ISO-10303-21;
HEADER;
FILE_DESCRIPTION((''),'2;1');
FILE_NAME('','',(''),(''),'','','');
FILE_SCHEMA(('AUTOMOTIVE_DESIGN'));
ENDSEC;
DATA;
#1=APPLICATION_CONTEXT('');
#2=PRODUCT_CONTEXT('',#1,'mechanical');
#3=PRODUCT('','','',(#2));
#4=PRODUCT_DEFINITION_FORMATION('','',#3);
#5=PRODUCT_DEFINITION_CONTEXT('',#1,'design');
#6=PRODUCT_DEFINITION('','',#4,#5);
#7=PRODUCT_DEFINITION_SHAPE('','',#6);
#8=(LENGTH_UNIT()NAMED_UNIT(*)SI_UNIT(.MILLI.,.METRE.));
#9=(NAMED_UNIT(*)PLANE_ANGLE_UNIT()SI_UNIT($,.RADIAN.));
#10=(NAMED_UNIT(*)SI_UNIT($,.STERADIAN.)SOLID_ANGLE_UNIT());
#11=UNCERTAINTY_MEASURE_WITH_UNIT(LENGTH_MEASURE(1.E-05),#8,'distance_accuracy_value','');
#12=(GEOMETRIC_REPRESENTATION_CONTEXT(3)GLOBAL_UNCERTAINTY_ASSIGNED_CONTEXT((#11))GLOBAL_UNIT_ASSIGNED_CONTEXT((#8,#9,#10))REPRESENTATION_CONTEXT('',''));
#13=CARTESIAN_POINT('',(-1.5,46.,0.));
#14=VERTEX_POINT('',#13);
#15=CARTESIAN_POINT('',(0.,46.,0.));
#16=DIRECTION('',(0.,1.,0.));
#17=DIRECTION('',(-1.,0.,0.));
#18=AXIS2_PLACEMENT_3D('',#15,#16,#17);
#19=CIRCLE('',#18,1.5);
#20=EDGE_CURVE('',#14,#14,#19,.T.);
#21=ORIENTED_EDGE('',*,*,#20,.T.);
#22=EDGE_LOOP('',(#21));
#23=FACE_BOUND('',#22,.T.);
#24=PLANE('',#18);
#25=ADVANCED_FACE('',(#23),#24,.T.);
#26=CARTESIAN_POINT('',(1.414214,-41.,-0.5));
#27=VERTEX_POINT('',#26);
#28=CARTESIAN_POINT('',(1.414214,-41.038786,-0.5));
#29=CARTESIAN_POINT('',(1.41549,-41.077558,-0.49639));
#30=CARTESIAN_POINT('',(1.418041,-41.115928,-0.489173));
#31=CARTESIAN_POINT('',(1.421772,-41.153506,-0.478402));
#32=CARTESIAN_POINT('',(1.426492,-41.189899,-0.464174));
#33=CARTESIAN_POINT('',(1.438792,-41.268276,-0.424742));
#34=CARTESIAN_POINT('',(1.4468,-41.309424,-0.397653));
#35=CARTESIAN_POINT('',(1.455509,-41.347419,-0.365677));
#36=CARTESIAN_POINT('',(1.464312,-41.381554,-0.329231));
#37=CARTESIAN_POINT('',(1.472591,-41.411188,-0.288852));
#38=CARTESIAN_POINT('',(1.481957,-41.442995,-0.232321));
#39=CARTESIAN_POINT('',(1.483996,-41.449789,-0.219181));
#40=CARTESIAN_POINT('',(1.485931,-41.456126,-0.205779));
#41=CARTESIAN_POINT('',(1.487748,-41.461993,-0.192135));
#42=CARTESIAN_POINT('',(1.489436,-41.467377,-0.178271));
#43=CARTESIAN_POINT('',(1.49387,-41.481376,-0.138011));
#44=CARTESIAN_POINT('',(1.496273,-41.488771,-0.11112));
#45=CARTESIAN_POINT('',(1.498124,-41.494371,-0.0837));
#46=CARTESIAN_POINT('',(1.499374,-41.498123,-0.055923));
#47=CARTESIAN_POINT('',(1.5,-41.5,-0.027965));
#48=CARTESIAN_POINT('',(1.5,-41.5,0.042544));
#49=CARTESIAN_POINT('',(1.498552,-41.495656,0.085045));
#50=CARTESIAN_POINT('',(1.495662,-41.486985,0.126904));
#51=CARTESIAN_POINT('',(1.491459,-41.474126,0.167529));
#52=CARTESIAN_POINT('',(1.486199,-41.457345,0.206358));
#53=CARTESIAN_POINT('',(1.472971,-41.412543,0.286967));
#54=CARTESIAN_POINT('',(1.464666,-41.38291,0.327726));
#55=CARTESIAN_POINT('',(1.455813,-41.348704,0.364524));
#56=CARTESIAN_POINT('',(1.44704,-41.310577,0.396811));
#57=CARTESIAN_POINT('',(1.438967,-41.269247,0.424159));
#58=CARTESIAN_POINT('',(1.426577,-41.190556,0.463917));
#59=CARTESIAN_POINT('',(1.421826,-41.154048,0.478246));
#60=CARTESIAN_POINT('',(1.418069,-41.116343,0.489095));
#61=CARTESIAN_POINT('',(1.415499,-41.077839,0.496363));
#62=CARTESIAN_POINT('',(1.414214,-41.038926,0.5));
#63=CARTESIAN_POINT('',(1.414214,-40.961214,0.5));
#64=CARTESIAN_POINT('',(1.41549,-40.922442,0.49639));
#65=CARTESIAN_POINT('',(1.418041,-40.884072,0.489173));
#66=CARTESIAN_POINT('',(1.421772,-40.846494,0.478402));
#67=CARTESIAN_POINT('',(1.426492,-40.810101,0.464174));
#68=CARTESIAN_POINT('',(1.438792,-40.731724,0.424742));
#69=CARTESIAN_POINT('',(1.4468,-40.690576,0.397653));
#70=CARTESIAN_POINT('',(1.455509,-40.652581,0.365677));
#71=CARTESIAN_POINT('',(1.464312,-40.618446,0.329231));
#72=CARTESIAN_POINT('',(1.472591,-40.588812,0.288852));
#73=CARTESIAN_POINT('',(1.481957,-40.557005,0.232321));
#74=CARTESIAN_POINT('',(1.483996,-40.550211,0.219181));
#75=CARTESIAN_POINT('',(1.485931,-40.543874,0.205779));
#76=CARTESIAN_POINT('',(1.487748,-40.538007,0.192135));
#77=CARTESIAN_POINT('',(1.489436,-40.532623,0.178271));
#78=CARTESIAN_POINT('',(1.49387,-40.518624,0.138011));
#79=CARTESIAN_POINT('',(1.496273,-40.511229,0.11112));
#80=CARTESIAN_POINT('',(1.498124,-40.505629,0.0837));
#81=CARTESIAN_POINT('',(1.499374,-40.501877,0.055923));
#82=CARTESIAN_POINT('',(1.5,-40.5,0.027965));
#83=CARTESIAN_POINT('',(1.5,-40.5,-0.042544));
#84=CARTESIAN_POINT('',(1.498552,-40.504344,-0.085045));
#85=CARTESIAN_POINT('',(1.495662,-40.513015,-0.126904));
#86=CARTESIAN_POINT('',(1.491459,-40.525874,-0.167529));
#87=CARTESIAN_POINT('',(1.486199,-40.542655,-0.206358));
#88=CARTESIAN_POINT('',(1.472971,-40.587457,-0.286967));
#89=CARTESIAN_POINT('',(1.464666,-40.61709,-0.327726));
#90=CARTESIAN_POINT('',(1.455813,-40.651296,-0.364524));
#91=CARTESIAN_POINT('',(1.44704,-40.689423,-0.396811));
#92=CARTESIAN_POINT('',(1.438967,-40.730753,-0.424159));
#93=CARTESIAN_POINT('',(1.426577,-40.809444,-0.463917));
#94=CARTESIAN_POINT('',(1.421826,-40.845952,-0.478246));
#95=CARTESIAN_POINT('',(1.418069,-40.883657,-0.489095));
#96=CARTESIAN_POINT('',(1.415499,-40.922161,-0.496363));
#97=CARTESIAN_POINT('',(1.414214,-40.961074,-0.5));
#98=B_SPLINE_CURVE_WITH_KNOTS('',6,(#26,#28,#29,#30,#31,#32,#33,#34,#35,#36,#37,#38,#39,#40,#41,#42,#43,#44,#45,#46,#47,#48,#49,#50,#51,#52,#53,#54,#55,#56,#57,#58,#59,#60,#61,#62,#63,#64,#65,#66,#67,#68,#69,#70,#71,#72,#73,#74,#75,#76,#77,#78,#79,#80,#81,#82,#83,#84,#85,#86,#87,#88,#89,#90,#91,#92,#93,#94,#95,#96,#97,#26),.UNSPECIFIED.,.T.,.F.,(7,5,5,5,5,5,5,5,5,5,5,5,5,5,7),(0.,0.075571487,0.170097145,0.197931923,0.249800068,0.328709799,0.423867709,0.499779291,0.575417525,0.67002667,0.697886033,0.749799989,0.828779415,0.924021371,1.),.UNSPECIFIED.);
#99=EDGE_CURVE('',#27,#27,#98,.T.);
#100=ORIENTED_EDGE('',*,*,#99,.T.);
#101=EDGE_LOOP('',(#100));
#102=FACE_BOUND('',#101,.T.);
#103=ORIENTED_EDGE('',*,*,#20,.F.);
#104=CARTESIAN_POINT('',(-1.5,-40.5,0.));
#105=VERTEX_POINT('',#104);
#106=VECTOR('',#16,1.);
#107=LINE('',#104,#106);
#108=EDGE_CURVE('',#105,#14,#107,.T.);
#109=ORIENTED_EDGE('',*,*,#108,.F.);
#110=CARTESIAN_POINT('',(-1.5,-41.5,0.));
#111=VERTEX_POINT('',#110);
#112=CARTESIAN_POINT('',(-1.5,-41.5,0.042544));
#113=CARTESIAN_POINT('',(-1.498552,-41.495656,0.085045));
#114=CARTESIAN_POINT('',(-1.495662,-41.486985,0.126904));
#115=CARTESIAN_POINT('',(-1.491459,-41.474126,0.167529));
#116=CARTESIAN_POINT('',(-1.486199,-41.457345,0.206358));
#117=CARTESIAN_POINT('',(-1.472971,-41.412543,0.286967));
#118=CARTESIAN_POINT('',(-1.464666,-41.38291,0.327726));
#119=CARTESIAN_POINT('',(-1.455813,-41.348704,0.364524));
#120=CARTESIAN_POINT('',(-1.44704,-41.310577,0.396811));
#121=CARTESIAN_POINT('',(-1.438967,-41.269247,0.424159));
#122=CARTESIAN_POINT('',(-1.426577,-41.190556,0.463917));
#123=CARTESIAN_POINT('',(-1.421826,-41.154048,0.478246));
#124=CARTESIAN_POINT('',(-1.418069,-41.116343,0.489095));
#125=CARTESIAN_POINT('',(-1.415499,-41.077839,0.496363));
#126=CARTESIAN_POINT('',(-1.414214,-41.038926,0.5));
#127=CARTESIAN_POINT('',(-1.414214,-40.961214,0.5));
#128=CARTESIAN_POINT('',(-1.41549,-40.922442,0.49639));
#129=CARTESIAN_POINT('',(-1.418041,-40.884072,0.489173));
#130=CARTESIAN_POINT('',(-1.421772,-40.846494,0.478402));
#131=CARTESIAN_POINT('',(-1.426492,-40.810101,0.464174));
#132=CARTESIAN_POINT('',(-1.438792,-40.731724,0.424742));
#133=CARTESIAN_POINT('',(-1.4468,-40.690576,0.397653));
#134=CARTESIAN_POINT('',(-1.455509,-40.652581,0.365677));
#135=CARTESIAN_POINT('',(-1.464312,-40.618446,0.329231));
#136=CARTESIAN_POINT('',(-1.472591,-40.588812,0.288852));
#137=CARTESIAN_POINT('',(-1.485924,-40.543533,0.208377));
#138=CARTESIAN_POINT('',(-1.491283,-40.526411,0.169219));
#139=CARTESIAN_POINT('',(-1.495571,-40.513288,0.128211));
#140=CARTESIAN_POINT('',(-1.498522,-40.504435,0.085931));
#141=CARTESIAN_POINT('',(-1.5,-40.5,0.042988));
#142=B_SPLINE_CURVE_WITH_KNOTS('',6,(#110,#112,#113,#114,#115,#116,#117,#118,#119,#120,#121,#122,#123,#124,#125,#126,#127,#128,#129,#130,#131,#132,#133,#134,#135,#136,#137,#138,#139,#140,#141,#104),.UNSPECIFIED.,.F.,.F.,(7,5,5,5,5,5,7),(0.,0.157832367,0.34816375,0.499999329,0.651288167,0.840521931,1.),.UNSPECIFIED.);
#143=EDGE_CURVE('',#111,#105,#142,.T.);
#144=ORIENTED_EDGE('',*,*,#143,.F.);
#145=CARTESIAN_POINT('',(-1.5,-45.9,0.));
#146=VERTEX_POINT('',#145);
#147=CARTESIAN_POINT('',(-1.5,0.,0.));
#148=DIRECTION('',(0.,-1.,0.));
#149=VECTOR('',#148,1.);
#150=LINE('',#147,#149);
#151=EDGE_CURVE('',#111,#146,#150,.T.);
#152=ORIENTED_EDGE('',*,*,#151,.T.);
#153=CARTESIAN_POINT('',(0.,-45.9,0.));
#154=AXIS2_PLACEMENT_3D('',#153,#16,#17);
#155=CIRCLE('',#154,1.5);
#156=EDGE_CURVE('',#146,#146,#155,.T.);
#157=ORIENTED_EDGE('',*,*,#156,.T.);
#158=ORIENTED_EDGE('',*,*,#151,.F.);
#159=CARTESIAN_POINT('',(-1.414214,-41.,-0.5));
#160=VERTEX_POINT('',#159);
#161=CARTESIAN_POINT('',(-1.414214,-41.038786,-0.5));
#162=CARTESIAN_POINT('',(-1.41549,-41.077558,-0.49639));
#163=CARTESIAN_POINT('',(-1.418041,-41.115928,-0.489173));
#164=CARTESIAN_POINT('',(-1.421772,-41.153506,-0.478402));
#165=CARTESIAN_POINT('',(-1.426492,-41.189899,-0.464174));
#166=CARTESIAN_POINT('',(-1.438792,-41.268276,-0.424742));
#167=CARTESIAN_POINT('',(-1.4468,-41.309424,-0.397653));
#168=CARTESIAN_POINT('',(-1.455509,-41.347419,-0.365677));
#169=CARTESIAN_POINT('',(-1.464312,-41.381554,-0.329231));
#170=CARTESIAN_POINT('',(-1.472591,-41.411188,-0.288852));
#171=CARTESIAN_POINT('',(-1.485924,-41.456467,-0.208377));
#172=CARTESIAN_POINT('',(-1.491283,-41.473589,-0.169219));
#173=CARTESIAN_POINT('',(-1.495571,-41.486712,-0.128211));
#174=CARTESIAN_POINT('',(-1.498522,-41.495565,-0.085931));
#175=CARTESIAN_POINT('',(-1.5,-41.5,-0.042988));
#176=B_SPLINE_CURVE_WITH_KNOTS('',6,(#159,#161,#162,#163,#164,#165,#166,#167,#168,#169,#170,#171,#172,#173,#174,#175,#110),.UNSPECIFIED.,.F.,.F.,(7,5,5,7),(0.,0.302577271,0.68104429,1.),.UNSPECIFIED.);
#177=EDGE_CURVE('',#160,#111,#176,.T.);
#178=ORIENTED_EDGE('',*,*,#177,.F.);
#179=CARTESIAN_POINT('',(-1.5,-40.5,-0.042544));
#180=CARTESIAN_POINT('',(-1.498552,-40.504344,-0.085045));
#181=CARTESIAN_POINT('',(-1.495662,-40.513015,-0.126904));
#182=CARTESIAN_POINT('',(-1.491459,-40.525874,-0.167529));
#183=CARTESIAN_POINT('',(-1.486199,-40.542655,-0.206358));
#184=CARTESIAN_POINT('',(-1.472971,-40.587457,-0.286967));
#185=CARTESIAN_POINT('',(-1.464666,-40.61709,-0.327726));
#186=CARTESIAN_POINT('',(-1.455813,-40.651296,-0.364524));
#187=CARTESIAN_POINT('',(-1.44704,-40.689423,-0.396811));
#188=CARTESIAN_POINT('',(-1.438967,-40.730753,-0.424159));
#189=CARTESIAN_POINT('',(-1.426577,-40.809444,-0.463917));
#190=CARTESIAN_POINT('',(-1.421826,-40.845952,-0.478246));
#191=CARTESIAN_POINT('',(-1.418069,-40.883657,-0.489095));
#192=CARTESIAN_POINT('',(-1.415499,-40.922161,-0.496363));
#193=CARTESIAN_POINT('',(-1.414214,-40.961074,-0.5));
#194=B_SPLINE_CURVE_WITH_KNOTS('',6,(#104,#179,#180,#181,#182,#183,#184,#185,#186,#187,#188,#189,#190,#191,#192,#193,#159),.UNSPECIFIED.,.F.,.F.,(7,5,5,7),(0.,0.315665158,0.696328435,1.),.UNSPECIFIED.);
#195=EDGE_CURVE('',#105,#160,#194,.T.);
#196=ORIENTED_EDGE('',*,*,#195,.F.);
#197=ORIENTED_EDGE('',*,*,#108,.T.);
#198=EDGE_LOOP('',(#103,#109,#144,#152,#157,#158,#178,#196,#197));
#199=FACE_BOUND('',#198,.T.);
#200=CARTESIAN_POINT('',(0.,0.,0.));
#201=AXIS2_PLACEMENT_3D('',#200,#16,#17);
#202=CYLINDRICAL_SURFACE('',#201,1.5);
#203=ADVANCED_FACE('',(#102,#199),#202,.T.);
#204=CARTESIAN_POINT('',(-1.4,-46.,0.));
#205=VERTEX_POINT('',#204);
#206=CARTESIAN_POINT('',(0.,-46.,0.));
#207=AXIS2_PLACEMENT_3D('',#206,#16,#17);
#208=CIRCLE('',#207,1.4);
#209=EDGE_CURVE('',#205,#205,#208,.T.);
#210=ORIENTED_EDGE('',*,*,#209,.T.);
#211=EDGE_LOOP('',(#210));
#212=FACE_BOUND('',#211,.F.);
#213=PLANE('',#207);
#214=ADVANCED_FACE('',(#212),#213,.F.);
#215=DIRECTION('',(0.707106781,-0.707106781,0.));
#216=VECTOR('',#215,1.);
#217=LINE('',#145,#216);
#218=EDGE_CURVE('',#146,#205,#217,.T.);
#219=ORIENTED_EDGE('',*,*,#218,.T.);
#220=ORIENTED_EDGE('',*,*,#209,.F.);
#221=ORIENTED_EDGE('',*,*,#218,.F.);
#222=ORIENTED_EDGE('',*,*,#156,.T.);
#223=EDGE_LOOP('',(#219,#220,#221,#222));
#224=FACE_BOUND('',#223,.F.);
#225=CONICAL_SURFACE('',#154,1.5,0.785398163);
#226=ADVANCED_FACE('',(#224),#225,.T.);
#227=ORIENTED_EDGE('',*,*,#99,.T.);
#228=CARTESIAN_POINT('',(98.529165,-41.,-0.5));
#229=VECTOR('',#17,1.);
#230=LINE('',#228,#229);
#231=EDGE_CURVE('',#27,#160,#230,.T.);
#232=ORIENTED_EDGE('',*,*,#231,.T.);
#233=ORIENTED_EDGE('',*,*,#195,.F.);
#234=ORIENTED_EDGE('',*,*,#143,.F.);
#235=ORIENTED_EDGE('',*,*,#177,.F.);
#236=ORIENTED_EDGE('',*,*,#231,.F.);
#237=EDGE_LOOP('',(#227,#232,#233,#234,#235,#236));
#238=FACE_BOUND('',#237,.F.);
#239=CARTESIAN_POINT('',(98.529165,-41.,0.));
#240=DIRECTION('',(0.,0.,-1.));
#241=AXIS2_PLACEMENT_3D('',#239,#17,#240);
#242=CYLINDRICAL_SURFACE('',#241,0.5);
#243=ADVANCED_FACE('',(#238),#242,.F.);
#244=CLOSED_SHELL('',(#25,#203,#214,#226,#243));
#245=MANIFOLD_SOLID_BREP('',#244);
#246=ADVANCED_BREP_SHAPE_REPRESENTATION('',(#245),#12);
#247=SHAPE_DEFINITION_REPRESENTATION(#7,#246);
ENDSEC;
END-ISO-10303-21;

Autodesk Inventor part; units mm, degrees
ref_plane "YZ Plane" through (0, 0, 0) normal (1, 0, 0) x (0, 1, 0)
ref_plane "XZ Plane" through (0, 0, 0) normal (0, 1, 0) x (-1, 0, 0)
ref_plane "XY Plane" through (0, 0, 0) normal (0, 0, 1) x (1, 0, 0)
sketch "Sketch1" plane through (0, 0, 0) normal (0, 1, 0) x (-1, 0, 0)
  circle A0 centre (0, 0) radius 1.5
  dimension "Diameter" = 3
extrude "Extrusion1" add sketch "Sketch1" along normal mid plane 92
thread "Thread1" size "M3x0.5" class "6g" standard "ANSI Metric M Profile" length 10
chamfer "Chamfer1" distance 0.1 angle 45 1 edges at (1.5, -46, 0)
sketch "Sketch2" plane through (0, 0, 0) normal (1, 0, 0) x (0, 1, 0)
  line L0 (-46, -1.4) -> (-46, 1.4) projected
  point P0 (0, 0)
  point P1 (-41, 0)
  dimension "d8" = 5
hole "Hole1" at (0, -41, 0) direction (-1, 0, 0) diameter 1 end through all both
properties part number "Pendulum Arm" material "Bronze, Soft Tin"
